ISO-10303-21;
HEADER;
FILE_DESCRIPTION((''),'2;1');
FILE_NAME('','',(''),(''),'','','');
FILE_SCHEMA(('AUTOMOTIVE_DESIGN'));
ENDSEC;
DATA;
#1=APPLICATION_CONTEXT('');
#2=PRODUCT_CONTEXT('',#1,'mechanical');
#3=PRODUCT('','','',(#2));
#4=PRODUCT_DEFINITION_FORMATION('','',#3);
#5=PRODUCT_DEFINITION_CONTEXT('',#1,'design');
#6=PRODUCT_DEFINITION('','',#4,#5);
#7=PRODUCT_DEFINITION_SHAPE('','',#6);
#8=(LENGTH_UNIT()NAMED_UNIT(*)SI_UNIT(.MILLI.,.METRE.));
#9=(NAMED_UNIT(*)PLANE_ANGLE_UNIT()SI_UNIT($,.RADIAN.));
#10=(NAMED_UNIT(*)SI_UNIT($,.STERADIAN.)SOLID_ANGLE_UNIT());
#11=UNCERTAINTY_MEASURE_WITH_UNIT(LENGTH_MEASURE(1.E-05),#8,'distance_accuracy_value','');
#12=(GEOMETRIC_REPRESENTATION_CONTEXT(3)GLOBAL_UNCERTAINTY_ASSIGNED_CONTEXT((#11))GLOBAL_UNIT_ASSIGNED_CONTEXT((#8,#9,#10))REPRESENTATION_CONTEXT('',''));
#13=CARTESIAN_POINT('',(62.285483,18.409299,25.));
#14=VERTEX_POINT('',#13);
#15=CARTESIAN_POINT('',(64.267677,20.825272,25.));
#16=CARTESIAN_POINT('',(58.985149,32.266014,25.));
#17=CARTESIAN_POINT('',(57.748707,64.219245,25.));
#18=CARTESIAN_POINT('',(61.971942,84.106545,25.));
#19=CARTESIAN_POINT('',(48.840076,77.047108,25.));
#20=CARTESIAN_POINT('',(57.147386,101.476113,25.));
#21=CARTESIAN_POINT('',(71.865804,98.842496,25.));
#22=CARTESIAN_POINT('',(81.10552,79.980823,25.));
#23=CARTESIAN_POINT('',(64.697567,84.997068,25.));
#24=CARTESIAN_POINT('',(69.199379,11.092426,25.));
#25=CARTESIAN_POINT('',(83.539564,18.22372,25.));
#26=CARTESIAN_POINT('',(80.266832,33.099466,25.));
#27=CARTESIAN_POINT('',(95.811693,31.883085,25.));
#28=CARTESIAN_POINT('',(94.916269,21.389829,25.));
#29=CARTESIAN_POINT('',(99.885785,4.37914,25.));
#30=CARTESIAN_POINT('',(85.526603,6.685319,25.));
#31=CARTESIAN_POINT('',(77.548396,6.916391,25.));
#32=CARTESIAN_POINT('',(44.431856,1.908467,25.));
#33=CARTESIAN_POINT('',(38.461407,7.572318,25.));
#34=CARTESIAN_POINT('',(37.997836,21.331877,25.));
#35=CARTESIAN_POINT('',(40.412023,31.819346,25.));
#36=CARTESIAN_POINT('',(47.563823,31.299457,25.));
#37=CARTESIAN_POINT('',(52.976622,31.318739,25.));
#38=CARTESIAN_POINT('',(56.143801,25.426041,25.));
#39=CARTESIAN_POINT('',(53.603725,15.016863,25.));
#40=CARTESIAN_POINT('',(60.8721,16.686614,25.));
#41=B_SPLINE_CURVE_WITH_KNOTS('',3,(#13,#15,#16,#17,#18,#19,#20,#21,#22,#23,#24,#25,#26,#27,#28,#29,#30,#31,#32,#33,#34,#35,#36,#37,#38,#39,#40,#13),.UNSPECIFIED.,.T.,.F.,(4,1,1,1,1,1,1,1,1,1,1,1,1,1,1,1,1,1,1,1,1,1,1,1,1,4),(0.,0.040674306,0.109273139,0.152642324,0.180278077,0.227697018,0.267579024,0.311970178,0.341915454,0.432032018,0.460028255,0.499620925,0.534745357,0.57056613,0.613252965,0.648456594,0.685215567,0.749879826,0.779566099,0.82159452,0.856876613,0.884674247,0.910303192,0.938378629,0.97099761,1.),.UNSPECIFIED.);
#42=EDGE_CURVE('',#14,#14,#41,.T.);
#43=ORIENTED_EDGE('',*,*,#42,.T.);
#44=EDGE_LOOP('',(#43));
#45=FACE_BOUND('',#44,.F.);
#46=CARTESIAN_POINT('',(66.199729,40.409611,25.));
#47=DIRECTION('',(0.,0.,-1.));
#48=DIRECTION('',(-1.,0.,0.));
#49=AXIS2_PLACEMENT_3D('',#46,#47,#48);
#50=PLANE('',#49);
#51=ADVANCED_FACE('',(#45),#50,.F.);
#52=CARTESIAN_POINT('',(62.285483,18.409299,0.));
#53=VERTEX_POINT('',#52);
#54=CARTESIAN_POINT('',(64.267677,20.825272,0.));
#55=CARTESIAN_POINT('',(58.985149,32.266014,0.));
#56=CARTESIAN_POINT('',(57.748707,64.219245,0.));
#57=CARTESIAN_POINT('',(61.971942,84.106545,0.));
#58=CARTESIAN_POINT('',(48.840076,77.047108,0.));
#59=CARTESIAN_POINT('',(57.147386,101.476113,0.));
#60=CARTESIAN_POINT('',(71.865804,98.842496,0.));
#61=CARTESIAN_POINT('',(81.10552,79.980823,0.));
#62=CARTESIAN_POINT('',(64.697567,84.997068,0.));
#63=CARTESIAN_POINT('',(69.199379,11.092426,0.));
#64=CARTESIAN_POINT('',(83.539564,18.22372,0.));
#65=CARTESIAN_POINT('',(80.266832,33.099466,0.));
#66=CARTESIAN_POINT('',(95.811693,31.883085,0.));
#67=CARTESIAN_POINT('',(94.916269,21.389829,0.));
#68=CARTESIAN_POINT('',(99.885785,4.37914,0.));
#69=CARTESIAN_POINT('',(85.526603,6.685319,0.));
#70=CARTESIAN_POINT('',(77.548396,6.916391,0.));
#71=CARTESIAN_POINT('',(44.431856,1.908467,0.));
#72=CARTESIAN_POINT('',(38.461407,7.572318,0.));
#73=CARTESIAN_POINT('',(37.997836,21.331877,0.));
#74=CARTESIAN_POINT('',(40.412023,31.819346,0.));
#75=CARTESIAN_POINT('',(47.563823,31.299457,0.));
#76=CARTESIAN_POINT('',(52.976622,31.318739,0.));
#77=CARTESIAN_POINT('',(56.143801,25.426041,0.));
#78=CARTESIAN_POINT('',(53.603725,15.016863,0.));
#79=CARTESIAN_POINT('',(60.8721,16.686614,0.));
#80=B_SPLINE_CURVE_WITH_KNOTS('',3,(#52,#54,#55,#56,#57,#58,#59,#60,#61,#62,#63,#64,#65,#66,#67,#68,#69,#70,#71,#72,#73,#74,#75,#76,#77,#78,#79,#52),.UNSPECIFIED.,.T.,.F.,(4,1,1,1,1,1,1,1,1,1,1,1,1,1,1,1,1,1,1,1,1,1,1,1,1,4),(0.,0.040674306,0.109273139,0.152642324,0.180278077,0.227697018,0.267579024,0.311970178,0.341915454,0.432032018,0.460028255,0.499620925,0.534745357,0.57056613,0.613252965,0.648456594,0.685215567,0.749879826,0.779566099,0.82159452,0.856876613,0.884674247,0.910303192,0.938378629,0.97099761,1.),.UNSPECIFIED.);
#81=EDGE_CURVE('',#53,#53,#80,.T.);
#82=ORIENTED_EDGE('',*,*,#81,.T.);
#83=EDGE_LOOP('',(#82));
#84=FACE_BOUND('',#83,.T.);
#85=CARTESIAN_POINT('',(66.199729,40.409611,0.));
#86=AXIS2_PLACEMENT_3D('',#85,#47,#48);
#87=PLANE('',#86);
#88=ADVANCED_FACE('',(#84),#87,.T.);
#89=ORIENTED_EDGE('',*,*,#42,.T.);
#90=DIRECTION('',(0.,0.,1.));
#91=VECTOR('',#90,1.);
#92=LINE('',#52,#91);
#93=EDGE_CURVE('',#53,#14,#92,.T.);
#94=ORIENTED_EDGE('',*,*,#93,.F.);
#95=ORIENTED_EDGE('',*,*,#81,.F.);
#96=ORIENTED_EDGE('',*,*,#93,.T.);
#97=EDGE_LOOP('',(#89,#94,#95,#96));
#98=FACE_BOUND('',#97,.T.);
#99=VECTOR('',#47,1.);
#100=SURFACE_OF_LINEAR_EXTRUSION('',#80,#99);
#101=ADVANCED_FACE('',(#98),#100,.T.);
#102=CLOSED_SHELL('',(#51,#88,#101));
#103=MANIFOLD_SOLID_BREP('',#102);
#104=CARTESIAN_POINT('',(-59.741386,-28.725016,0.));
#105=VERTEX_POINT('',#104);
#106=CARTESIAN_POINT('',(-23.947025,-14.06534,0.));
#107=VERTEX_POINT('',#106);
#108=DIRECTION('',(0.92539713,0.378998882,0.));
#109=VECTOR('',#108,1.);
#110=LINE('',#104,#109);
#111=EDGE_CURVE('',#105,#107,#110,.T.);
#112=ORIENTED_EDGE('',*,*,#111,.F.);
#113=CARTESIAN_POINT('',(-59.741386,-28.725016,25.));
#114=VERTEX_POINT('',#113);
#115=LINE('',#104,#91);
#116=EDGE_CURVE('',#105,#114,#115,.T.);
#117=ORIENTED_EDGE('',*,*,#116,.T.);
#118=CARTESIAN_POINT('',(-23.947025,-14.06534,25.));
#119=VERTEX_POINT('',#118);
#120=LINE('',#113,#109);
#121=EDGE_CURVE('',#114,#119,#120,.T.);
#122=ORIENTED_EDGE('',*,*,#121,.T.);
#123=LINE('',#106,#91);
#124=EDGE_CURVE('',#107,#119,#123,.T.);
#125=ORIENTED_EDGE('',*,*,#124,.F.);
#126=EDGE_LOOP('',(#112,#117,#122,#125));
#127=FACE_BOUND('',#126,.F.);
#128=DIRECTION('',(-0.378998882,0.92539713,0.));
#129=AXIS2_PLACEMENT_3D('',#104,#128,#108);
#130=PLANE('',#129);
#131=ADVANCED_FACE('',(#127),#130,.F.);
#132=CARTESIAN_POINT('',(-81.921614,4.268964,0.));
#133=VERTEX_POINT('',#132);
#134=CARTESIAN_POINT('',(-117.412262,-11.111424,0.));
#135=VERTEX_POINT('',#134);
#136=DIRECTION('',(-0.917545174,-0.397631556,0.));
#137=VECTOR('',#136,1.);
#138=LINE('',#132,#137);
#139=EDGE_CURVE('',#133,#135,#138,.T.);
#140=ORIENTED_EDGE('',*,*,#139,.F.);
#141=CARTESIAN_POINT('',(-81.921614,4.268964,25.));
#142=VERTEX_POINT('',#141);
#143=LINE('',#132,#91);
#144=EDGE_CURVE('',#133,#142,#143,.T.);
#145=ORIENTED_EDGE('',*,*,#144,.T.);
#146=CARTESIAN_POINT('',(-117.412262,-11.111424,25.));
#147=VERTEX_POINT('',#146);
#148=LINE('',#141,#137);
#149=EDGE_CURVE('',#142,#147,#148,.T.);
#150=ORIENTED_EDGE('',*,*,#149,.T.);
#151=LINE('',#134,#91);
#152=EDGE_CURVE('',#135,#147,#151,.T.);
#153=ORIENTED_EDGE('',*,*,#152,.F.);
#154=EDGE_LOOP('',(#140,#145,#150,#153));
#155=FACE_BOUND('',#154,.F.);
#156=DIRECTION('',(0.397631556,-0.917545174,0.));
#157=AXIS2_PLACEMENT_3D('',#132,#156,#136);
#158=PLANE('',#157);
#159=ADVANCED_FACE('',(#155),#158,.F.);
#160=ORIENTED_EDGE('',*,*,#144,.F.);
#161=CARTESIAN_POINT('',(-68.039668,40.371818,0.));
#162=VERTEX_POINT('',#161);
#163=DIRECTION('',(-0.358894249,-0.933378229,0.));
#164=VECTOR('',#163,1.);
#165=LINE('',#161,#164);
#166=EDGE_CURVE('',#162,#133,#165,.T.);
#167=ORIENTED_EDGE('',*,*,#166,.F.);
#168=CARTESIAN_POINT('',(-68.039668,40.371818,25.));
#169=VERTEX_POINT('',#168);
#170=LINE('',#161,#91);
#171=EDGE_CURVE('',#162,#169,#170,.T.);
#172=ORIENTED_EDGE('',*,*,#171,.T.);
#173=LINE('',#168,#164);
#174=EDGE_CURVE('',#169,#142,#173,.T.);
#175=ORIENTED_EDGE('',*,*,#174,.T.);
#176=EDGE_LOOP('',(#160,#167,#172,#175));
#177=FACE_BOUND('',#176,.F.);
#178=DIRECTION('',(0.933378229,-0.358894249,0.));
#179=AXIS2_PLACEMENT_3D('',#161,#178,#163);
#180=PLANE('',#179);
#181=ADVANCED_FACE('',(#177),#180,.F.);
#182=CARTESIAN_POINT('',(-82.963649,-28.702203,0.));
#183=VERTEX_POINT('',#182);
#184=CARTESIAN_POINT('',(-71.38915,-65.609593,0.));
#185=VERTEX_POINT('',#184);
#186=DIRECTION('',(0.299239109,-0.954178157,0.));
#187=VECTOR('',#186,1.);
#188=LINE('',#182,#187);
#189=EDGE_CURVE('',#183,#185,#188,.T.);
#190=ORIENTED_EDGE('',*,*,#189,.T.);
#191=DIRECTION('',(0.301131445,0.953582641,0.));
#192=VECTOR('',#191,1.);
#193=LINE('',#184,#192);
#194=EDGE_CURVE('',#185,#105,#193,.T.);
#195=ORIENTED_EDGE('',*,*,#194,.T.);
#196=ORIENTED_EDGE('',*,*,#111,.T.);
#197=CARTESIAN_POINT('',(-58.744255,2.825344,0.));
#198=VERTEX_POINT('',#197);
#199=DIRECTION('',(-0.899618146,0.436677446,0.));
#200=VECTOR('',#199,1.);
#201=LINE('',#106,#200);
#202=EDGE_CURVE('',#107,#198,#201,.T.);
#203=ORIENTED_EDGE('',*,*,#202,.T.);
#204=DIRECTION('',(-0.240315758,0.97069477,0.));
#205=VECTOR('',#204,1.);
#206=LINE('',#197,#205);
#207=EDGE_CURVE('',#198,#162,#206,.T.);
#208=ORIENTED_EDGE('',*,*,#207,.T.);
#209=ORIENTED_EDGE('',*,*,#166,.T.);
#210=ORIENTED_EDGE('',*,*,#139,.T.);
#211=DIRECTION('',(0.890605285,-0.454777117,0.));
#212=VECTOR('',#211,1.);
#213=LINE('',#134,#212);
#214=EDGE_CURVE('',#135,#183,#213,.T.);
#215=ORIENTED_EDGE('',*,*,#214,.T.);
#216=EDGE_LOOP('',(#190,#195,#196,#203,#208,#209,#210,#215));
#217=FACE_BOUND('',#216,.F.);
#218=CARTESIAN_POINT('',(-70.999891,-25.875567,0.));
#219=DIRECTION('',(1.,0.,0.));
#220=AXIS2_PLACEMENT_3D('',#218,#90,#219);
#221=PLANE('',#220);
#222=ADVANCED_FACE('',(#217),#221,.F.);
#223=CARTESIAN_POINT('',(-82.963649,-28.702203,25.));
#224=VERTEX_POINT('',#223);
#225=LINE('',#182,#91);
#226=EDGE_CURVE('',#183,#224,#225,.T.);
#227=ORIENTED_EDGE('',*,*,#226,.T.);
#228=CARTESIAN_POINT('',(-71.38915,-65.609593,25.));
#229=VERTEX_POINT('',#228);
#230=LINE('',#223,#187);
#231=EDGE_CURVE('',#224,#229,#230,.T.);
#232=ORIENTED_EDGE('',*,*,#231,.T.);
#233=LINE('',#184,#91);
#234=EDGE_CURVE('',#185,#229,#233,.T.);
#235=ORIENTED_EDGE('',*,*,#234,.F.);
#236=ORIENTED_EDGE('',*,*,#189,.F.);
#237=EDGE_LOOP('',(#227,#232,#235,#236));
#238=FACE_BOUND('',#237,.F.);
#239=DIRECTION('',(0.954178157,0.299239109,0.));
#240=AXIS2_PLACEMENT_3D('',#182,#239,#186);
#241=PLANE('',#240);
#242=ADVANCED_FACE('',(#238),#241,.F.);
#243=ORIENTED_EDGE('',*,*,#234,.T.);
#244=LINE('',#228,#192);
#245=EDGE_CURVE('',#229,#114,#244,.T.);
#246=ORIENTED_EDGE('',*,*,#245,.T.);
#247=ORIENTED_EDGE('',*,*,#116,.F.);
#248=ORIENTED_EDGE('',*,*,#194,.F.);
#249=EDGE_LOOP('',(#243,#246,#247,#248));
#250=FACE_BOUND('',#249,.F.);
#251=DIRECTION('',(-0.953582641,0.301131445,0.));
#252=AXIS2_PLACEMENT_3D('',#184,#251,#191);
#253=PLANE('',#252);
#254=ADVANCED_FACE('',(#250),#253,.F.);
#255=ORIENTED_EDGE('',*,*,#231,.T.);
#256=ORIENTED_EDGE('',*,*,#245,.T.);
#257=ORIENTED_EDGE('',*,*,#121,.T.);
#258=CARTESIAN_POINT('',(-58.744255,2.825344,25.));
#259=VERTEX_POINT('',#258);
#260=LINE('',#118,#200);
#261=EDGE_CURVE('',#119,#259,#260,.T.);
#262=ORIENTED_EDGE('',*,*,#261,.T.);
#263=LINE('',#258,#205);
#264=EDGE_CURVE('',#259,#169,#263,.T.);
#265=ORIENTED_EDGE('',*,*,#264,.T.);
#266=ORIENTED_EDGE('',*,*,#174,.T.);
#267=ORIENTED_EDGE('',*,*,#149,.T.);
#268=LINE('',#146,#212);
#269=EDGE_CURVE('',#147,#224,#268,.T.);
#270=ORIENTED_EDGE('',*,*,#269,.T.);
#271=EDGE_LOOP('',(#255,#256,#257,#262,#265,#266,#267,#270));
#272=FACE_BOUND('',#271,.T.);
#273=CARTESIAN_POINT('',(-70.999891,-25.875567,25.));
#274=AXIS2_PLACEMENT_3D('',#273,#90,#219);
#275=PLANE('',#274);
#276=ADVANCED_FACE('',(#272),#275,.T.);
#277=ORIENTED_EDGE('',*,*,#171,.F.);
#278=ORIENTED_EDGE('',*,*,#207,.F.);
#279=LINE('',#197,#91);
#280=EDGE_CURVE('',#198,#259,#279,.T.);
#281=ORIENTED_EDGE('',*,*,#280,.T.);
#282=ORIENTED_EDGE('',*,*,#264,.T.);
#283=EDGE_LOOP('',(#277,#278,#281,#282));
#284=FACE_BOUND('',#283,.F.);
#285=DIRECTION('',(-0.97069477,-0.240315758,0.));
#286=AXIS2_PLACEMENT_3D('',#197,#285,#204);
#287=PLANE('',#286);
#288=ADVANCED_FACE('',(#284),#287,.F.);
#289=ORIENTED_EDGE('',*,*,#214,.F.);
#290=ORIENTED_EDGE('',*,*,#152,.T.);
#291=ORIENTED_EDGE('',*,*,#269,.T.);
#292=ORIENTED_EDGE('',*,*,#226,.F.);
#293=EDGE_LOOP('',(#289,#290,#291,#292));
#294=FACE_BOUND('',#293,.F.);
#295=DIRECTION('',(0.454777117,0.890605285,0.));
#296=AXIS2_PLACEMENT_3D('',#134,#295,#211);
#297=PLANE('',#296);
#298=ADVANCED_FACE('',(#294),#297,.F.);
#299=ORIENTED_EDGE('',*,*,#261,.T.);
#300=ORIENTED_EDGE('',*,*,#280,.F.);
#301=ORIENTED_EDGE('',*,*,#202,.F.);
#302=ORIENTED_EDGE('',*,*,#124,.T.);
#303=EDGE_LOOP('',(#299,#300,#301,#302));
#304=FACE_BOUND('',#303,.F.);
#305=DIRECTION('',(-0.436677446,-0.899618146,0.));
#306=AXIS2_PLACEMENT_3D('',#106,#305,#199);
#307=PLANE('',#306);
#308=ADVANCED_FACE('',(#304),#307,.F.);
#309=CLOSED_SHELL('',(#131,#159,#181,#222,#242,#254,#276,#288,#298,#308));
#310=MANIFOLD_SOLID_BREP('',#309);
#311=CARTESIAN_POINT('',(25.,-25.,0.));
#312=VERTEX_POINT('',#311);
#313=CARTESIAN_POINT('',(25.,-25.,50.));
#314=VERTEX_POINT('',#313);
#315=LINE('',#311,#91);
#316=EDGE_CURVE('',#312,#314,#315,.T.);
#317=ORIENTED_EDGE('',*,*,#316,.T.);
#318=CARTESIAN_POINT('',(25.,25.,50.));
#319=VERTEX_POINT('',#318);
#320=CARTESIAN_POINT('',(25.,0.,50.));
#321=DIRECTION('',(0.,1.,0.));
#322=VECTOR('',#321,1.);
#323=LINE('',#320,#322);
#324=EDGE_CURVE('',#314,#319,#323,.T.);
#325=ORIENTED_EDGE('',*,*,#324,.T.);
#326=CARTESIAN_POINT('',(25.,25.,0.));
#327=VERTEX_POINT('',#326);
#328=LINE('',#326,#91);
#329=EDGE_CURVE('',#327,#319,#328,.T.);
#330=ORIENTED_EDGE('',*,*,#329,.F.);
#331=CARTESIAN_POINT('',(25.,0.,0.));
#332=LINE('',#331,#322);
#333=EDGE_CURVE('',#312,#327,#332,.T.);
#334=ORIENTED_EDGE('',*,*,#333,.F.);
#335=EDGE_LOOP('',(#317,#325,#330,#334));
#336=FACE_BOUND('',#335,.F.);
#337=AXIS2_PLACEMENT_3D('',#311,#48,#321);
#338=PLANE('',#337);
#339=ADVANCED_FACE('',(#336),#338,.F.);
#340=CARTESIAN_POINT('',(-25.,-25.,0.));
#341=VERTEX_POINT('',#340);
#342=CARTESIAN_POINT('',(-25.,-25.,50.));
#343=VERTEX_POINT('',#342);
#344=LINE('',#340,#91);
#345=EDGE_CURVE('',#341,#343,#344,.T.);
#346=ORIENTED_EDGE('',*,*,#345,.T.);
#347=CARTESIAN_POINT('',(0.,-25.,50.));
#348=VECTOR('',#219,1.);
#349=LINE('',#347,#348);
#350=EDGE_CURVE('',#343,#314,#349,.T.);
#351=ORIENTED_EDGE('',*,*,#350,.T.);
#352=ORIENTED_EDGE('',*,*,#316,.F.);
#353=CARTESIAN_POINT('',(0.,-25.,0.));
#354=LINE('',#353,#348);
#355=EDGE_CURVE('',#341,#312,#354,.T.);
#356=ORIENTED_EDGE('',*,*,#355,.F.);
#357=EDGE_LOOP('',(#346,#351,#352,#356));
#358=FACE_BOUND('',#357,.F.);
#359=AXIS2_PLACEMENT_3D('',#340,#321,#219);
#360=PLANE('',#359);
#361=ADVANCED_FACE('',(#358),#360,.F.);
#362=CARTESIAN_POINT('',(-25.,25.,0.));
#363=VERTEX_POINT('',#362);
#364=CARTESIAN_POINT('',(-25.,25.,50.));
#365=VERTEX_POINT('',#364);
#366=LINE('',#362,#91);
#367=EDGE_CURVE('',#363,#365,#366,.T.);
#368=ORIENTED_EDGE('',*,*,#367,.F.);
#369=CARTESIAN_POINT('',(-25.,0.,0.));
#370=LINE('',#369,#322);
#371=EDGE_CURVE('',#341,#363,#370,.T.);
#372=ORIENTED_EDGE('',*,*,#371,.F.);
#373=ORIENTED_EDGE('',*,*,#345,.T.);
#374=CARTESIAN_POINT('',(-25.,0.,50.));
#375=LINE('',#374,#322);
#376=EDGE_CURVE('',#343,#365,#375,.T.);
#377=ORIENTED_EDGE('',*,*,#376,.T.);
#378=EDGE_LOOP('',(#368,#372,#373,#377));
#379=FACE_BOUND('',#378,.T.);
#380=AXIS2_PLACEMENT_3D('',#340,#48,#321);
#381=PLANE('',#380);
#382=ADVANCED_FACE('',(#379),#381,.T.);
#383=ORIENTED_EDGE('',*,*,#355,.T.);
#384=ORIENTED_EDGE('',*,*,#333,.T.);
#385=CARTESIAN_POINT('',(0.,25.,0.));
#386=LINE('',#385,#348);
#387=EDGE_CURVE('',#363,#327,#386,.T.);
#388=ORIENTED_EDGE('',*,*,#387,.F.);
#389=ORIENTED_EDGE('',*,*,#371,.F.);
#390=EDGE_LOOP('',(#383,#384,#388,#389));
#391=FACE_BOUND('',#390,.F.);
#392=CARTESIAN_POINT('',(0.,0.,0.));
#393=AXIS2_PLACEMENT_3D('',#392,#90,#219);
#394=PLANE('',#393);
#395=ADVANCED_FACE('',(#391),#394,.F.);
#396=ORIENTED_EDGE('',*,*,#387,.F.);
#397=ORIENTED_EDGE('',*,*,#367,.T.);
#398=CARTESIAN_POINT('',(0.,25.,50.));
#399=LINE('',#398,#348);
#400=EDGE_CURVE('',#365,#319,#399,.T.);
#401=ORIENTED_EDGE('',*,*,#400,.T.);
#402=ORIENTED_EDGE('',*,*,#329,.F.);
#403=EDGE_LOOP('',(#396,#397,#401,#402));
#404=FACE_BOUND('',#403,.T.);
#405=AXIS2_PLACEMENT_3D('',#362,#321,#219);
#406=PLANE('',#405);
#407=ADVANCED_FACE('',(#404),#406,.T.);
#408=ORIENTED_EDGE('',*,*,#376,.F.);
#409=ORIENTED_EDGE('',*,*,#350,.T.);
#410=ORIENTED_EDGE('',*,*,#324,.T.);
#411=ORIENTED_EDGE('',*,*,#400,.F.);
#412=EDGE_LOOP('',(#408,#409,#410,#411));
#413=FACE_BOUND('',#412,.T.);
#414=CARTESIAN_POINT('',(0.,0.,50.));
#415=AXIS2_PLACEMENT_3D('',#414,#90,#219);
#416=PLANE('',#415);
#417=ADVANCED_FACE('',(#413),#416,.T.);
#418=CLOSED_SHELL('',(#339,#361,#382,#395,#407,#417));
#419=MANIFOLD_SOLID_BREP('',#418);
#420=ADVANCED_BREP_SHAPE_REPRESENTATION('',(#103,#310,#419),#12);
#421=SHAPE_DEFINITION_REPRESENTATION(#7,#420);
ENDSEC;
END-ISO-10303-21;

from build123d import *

# Parameters (mm, degrees)
F0_W     = 50
F0_H     = 50
F1_DEPTH = 50
F3_DEPTH = 25
F5_DEPTH = 25


with BuildPart() as f1:
    # F0 (on Top) → F1 (new body)
    with BuildSketch(Plane.XY):
        Rectangle(F0_W, F0_H)
    extrude(amount=F1_DEPTH)


with BuildPart() as f3:
    # F2 (on Top) → F3 (new body)
    with BuildSketch(Plane.XY):
        with BuildLine():
            add(Edge.make_bspline(
                [(62.2854828835, 18.4092987329), (64.2676770664, 20.8252723707), (58.9851490385, 32.2660144268), (57.7487069824, 64.2192451313), (61.9719423526, 84.1065452735), (48.8400756216, 77.04710804), (57.1473864153, 101.476112772), (71.8658035272, 98.8424958809), (81.1055202571, 79.980822739), (64.6975670299, 84.997067788), (69.1993792273, 11.0924260312), (83.53956362, 18.2237201979), (80.2668317064, 33.0994660278), (95.8116933452, 31.8830853941), (94.9162691372, 21.3898294531), (99.8857851878, 4.3791402325), (85.5266029612, 6.6853193807), (77.548395646, 6.9163912191), (44.4318555609, 1.9084673348), (38.4614065355, 7.5723181931), (37.9978360383, 21.3318767233), (40.412023005, 31.819345953), (47.5638230576, 31.2994573806), (52.9766215622, 31.3187387295), (56.1438009209, 25.426041261), (53.6037253652, 15.0168628929), (60.8720999823, 16.6866139128), (62.2854828835, 18.4092987329)],
                knots=[0, 0, 0, 0, 0.0406743062, 0.1092731393, 0.1526423243, 0.1802780766, 0.2276970183, 0.2675790244, 0.3119701777, 0.3419154538, 0.4320320179, 0.4600282553, 0.4996209253, 0.5347453573, 0.5705661296, 0.6132529651, 0.648456594, 0.6852155671, 0.7498798257, 0.7795660993, 0.8215945201, 0.8568766133, 0.8846742474, 0.9103031916, 0.9383786291, 0.9709976099, 1, 1, 1, 1], degree=3))
        make_face()
    extrude(amount=F3_DEPTH)


with BuildPart() as f5:
    # F4 (on Top) → F5 (new body)
    with BuildSketch(Plane.XY):
        Polygon((-117.4122616649, -11.1114243045), (-82.9636492371, -28.7022031901), (-71.389149928, -65.6095929501), (-59.7413856226, -28.7250164081), (-23.9470246449, -14.0653396656), align=None)
        Polygon((-81.9216143463, 4.2689642766), (-117.4122616649, -11.1114243045), (-23.9470246449, -14.0653396656), (-58.7442545284, 2.8253439331), (-68.0396680598, 40.3718176327), align=None)
    extrude(amount=F5_DEPTH)


solid = Compound([f1.part, f3.part, f5.part])
